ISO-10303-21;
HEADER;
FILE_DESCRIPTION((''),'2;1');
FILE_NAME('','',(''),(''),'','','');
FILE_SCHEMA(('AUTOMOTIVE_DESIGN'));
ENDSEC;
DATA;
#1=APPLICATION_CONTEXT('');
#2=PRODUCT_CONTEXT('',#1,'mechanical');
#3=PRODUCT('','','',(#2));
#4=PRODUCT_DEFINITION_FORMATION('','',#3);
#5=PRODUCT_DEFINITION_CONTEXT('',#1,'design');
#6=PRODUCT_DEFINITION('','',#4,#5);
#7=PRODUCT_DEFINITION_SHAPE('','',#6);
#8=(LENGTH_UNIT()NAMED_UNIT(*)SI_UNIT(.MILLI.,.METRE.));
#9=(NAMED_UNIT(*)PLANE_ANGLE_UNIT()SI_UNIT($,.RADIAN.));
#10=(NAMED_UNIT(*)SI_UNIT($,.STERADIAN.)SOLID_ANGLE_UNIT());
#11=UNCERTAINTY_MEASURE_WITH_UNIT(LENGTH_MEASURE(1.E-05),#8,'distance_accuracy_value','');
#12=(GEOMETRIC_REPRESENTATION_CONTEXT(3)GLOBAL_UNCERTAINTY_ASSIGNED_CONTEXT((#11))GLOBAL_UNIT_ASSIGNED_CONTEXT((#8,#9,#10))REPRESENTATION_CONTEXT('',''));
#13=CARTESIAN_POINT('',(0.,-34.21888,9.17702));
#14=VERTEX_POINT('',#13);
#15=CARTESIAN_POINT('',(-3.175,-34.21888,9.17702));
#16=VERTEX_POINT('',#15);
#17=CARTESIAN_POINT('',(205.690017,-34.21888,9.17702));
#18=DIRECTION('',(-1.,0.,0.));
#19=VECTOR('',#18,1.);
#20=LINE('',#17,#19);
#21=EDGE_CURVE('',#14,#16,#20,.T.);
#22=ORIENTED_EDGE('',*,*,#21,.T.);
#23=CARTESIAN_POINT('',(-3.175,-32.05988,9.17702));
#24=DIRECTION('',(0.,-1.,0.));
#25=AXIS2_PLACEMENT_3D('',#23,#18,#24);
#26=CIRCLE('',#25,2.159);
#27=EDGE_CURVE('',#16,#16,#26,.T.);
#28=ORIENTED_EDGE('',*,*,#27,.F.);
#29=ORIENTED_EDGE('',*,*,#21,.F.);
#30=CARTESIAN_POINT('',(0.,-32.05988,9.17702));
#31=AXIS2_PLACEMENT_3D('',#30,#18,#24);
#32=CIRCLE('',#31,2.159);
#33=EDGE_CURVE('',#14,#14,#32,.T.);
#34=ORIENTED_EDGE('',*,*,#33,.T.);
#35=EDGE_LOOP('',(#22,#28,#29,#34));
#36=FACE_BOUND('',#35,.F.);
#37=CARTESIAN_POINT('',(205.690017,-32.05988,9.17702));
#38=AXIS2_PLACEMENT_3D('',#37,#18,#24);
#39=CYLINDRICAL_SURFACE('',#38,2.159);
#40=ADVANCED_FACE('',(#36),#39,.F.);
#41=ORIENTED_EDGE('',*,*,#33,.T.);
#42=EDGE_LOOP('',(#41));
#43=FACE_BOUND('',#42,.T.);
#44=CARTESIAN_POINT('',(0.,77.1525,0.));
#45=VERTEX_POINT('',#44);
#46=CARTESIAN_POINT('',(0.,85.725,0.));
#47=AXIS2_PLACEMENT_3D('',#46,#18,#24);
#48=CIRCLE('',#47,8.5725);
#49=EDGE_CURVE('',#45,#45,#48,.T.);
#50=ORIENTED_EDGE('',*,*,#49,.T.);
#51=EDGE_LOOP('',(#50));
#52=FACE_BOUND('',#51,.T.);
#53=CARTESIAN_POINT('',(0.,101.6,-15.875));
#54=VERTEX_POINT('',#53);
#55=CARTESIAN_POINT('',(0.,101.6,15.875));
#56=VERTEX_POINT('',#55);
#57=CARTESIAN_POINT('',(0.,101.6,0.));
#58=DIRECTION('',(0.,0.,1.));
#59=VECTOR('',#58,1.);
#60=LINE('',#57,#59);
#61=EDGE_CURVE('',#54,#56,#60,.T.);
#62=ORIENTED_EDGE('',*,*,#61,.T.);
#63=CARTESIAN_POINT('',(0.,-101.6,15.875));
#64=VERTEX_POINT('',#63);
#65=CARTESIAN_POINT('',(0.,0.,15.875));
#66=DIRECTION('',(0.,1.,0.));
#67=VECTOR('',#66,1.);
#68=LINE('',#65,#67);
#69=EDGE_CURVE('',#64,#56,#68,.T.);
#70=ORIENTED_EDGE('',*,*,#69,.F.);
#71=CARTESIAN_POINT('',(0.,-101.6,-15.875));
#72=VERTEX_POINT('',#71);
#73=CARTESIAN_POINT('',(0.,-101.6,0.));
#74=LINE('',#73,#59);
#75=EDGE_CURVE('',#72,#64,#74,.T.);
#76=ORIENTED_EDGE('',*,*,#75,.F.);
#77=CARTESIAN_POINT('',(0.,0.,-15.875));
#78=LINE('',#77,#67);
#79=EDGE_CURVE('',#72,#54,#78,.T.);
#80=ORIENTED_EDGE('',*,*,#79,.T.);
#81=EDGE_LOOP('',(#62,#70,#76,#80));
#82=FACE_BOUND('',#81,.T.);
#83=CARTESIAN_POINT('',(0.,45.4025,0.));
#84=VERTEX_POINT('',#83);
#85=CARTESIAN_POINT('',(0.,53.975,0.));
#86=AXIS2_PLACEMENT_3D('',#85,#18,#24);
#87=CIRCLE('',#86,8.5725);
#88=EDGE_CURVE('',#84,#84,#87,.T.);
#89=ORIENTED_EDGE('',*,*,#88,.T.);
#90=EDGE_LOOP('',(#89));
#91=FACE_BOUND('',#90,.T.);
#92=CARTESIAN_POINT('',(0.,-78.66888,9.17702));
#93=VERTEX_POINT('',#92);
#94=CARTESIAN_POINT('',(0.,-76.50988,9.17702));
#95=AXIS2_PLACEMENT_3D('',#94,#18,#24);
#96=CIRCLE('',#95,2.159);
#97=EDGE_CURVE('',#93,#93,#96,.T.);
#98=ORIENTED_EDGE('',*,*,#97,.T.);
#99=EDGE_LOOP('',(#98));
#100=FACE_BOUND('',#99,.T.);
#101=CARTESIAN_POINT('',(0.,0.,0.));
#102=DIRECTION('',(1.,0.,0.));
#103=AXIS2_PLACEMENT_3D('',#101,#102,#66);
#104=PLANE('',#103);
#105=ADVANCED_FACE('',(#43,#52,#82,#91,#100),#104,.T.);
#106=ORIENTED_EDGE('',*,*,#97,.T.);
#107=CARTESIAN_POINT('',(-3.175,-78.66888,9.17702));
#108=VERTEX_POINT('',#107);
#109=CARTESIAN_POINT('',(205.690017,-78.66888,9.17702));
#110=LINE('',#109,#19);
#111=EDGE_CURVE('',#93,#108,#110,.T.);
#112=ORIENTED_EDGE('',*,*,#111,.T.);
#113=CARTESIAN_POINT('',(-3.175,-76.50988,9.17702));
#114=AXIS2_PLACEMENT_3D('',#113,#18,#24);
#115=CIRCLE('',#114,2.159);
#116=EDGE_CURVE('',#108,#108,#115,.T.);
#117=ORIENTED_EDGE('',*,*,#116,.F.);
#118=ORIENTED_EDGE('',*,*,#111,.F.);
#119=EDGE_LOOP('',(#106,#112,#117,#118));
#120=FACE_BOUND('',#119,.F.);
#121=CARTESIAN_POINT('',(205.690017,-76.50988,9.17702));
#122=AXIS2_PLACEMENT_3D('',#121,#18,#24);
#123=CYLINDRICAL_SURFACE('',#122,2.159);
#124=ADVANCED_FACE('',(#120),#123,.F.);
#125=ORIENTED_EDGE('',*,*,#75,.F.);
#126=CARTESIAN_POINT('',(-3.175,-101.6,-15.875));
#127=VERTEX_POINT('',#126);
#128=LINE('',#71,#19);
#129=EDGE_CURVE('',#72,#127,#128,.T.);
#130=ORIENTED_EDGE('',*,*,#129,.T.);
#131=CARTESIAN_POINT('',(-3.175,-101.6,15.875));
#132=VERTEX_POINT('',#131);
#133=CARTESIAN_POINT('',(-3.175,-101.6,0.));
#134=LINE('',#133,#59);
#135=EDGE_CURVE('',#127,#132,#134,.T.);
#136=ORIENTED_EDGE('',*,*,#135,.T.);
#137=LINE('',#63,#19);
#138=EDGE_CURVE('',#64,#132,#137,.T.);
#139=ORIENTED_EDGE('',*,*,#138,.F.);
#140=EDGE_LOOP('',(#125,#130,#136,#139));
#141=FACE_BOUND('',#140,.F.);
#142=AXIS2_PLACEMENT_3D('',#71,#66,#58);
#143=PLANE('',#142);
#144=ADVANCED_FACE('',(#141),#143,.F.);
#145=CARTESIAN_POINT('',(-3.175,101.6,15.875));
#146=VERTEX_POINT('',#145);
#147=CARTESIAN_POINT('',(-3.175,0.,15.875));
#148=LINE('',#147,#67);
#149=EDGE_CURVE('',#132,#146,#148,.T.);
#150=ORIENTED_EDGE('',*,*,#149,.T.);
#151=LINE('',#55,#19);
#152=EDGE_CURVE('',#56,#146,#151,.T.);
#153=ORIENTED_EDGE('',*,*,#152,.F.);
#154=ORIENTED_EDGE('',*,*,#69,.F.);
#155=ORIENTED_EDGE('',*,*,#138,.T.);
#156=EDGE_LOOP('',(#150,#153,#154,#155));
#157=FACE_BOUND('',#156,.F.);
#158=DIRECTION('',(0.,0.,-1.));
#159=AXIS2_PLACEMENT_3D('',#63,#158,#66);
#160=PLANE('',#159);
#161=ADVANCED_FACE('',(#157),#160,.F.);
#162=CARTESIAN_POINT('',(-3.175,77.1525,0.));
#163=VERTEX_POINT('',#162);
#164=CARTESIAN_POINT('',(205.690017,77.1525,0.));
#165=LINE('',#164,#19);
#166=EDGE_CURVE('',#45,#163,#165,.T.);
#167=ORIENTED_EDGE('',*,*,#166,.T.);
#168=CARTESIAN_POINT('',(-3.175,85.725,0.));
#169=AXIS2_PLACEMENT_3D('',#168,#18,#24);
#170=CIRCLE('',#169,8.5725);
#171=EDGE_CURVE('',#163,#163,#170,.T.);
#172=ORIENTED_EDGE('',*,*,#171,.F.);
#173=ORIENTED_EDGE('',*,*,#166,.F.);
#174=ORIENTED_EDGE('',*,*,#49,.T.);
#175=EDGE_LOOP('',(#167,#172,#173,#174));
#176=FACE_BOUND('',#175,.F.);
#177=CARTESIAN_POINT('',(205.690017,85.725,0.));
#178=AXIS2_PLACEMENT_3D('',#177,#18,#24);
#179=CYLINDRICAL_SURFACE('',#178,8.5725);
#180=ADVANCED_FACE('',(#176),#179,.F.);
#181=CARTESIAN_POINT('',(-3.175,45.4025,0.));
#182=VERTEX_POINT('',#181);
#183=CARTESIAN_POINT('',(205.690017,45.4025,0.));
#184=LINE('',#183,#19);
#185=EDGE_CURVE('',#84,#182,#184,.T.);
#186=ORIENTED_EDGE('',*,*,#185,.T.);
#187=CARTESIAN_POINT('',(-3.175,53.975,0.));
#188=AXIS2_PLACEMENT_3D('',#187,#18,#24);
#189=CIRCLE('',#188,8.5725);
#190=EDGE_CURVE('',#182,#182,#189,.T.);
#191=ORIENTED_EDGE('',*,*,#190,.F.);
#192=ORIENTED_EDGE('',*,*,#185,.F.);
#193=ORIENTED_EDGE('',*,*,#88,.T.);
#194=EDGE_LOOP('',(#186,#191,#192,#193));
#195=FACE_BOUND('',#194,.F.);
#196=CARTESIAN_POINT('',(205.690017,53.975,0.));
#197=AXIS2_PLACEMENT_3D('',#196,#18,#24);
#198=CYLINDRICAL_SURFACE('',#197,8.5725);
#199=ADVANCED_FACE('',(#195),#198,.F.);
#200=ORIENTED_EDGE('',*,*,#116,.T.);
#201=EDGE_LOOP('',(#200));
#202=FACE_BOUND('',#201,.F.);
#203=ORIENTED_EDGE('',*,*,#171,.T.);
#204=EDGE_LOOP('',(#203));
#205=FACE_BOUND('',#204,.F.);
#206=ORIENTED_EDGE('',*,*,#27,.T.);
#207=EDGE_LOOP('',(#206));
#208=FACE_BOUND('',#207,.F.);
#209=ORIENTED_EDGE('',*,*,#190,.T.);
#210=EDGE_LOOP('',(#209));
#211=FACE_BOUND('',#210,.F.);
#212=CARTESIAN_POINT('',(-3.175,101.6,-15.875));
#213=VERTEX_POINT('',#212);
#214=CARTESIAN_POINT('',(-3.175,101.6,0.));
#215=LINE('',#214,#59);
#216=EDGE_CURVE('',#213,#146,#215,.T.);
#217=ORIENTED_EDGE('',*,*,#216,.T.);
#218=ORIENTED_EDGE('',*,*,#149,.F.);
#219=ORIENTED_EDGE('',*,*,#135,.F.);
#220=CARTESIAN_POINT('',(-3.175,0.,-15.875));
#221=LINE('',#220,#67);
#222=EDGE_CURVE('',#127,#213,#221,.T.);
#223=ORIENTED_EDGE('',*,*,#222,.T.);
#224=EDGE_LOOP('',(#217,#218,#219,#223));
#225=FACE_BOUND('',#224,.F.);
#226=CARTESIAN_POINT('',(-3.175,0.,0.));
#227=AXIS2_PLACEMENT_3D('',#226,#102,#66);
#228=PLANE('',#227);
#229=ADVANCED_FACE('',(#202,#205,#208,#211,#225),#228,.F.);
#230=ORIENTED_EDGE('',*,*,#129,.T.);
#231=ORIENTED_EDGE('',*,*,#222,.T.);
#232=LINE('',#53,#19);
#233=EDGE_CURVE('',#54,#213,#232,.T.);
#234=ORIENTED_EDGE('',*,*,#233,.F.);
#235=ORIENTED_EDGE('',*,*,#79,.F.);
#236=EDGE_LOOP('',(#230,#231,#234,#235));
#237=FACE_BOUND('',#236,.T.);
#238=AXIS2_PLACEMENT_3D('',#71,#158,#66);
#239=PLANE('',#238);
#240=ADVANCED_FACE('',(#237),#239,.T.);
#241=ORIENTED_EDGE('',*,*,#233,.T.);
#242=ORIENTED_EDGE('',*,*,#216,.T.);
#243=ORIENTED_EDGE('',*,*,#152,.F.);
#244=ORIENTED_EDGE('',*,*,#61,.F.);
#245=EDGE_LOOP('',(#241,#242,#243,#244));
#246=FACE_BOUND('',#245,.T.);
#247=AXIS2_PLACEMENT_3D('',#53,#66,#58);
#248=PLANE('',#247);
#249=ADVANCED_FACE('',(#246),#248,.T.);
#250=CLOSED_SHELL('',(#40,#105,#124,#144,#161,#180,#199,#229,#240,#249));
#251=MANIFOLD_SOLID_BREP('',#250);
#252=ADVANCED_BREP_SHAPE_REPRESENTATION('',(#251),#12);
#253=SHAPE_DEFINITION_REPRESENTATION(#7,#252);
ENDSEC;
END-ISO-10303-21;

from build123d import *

# Parameters (mm, degrees)
F0_W     = 203.2
F0_H     = 31.75
F1_DEPTH = 3.175
F3_D     = 17.145
F4_D     = 4.318


with BuildPart() as f1:
    # F0 (on Right) → F1 (new body)
    with BuildSketch(Plane.YZ):
        Rectangle(F0_W, F0_H)
    extrude(amount=-F1_DEPTH)

    # F3 (through all)
    with Locations(Plane.YZ):
        with Locations((85.725, 0), (53.975, 0)):
            Hole(F3_D / 2)

    # F4 (through all)
    with Locations(Plane.YZ):
        with Locations((-76.50988, 9.17702), (-32.05988, 9.17702)):
            Hole(F4_D / 2)


solid = f1.part
